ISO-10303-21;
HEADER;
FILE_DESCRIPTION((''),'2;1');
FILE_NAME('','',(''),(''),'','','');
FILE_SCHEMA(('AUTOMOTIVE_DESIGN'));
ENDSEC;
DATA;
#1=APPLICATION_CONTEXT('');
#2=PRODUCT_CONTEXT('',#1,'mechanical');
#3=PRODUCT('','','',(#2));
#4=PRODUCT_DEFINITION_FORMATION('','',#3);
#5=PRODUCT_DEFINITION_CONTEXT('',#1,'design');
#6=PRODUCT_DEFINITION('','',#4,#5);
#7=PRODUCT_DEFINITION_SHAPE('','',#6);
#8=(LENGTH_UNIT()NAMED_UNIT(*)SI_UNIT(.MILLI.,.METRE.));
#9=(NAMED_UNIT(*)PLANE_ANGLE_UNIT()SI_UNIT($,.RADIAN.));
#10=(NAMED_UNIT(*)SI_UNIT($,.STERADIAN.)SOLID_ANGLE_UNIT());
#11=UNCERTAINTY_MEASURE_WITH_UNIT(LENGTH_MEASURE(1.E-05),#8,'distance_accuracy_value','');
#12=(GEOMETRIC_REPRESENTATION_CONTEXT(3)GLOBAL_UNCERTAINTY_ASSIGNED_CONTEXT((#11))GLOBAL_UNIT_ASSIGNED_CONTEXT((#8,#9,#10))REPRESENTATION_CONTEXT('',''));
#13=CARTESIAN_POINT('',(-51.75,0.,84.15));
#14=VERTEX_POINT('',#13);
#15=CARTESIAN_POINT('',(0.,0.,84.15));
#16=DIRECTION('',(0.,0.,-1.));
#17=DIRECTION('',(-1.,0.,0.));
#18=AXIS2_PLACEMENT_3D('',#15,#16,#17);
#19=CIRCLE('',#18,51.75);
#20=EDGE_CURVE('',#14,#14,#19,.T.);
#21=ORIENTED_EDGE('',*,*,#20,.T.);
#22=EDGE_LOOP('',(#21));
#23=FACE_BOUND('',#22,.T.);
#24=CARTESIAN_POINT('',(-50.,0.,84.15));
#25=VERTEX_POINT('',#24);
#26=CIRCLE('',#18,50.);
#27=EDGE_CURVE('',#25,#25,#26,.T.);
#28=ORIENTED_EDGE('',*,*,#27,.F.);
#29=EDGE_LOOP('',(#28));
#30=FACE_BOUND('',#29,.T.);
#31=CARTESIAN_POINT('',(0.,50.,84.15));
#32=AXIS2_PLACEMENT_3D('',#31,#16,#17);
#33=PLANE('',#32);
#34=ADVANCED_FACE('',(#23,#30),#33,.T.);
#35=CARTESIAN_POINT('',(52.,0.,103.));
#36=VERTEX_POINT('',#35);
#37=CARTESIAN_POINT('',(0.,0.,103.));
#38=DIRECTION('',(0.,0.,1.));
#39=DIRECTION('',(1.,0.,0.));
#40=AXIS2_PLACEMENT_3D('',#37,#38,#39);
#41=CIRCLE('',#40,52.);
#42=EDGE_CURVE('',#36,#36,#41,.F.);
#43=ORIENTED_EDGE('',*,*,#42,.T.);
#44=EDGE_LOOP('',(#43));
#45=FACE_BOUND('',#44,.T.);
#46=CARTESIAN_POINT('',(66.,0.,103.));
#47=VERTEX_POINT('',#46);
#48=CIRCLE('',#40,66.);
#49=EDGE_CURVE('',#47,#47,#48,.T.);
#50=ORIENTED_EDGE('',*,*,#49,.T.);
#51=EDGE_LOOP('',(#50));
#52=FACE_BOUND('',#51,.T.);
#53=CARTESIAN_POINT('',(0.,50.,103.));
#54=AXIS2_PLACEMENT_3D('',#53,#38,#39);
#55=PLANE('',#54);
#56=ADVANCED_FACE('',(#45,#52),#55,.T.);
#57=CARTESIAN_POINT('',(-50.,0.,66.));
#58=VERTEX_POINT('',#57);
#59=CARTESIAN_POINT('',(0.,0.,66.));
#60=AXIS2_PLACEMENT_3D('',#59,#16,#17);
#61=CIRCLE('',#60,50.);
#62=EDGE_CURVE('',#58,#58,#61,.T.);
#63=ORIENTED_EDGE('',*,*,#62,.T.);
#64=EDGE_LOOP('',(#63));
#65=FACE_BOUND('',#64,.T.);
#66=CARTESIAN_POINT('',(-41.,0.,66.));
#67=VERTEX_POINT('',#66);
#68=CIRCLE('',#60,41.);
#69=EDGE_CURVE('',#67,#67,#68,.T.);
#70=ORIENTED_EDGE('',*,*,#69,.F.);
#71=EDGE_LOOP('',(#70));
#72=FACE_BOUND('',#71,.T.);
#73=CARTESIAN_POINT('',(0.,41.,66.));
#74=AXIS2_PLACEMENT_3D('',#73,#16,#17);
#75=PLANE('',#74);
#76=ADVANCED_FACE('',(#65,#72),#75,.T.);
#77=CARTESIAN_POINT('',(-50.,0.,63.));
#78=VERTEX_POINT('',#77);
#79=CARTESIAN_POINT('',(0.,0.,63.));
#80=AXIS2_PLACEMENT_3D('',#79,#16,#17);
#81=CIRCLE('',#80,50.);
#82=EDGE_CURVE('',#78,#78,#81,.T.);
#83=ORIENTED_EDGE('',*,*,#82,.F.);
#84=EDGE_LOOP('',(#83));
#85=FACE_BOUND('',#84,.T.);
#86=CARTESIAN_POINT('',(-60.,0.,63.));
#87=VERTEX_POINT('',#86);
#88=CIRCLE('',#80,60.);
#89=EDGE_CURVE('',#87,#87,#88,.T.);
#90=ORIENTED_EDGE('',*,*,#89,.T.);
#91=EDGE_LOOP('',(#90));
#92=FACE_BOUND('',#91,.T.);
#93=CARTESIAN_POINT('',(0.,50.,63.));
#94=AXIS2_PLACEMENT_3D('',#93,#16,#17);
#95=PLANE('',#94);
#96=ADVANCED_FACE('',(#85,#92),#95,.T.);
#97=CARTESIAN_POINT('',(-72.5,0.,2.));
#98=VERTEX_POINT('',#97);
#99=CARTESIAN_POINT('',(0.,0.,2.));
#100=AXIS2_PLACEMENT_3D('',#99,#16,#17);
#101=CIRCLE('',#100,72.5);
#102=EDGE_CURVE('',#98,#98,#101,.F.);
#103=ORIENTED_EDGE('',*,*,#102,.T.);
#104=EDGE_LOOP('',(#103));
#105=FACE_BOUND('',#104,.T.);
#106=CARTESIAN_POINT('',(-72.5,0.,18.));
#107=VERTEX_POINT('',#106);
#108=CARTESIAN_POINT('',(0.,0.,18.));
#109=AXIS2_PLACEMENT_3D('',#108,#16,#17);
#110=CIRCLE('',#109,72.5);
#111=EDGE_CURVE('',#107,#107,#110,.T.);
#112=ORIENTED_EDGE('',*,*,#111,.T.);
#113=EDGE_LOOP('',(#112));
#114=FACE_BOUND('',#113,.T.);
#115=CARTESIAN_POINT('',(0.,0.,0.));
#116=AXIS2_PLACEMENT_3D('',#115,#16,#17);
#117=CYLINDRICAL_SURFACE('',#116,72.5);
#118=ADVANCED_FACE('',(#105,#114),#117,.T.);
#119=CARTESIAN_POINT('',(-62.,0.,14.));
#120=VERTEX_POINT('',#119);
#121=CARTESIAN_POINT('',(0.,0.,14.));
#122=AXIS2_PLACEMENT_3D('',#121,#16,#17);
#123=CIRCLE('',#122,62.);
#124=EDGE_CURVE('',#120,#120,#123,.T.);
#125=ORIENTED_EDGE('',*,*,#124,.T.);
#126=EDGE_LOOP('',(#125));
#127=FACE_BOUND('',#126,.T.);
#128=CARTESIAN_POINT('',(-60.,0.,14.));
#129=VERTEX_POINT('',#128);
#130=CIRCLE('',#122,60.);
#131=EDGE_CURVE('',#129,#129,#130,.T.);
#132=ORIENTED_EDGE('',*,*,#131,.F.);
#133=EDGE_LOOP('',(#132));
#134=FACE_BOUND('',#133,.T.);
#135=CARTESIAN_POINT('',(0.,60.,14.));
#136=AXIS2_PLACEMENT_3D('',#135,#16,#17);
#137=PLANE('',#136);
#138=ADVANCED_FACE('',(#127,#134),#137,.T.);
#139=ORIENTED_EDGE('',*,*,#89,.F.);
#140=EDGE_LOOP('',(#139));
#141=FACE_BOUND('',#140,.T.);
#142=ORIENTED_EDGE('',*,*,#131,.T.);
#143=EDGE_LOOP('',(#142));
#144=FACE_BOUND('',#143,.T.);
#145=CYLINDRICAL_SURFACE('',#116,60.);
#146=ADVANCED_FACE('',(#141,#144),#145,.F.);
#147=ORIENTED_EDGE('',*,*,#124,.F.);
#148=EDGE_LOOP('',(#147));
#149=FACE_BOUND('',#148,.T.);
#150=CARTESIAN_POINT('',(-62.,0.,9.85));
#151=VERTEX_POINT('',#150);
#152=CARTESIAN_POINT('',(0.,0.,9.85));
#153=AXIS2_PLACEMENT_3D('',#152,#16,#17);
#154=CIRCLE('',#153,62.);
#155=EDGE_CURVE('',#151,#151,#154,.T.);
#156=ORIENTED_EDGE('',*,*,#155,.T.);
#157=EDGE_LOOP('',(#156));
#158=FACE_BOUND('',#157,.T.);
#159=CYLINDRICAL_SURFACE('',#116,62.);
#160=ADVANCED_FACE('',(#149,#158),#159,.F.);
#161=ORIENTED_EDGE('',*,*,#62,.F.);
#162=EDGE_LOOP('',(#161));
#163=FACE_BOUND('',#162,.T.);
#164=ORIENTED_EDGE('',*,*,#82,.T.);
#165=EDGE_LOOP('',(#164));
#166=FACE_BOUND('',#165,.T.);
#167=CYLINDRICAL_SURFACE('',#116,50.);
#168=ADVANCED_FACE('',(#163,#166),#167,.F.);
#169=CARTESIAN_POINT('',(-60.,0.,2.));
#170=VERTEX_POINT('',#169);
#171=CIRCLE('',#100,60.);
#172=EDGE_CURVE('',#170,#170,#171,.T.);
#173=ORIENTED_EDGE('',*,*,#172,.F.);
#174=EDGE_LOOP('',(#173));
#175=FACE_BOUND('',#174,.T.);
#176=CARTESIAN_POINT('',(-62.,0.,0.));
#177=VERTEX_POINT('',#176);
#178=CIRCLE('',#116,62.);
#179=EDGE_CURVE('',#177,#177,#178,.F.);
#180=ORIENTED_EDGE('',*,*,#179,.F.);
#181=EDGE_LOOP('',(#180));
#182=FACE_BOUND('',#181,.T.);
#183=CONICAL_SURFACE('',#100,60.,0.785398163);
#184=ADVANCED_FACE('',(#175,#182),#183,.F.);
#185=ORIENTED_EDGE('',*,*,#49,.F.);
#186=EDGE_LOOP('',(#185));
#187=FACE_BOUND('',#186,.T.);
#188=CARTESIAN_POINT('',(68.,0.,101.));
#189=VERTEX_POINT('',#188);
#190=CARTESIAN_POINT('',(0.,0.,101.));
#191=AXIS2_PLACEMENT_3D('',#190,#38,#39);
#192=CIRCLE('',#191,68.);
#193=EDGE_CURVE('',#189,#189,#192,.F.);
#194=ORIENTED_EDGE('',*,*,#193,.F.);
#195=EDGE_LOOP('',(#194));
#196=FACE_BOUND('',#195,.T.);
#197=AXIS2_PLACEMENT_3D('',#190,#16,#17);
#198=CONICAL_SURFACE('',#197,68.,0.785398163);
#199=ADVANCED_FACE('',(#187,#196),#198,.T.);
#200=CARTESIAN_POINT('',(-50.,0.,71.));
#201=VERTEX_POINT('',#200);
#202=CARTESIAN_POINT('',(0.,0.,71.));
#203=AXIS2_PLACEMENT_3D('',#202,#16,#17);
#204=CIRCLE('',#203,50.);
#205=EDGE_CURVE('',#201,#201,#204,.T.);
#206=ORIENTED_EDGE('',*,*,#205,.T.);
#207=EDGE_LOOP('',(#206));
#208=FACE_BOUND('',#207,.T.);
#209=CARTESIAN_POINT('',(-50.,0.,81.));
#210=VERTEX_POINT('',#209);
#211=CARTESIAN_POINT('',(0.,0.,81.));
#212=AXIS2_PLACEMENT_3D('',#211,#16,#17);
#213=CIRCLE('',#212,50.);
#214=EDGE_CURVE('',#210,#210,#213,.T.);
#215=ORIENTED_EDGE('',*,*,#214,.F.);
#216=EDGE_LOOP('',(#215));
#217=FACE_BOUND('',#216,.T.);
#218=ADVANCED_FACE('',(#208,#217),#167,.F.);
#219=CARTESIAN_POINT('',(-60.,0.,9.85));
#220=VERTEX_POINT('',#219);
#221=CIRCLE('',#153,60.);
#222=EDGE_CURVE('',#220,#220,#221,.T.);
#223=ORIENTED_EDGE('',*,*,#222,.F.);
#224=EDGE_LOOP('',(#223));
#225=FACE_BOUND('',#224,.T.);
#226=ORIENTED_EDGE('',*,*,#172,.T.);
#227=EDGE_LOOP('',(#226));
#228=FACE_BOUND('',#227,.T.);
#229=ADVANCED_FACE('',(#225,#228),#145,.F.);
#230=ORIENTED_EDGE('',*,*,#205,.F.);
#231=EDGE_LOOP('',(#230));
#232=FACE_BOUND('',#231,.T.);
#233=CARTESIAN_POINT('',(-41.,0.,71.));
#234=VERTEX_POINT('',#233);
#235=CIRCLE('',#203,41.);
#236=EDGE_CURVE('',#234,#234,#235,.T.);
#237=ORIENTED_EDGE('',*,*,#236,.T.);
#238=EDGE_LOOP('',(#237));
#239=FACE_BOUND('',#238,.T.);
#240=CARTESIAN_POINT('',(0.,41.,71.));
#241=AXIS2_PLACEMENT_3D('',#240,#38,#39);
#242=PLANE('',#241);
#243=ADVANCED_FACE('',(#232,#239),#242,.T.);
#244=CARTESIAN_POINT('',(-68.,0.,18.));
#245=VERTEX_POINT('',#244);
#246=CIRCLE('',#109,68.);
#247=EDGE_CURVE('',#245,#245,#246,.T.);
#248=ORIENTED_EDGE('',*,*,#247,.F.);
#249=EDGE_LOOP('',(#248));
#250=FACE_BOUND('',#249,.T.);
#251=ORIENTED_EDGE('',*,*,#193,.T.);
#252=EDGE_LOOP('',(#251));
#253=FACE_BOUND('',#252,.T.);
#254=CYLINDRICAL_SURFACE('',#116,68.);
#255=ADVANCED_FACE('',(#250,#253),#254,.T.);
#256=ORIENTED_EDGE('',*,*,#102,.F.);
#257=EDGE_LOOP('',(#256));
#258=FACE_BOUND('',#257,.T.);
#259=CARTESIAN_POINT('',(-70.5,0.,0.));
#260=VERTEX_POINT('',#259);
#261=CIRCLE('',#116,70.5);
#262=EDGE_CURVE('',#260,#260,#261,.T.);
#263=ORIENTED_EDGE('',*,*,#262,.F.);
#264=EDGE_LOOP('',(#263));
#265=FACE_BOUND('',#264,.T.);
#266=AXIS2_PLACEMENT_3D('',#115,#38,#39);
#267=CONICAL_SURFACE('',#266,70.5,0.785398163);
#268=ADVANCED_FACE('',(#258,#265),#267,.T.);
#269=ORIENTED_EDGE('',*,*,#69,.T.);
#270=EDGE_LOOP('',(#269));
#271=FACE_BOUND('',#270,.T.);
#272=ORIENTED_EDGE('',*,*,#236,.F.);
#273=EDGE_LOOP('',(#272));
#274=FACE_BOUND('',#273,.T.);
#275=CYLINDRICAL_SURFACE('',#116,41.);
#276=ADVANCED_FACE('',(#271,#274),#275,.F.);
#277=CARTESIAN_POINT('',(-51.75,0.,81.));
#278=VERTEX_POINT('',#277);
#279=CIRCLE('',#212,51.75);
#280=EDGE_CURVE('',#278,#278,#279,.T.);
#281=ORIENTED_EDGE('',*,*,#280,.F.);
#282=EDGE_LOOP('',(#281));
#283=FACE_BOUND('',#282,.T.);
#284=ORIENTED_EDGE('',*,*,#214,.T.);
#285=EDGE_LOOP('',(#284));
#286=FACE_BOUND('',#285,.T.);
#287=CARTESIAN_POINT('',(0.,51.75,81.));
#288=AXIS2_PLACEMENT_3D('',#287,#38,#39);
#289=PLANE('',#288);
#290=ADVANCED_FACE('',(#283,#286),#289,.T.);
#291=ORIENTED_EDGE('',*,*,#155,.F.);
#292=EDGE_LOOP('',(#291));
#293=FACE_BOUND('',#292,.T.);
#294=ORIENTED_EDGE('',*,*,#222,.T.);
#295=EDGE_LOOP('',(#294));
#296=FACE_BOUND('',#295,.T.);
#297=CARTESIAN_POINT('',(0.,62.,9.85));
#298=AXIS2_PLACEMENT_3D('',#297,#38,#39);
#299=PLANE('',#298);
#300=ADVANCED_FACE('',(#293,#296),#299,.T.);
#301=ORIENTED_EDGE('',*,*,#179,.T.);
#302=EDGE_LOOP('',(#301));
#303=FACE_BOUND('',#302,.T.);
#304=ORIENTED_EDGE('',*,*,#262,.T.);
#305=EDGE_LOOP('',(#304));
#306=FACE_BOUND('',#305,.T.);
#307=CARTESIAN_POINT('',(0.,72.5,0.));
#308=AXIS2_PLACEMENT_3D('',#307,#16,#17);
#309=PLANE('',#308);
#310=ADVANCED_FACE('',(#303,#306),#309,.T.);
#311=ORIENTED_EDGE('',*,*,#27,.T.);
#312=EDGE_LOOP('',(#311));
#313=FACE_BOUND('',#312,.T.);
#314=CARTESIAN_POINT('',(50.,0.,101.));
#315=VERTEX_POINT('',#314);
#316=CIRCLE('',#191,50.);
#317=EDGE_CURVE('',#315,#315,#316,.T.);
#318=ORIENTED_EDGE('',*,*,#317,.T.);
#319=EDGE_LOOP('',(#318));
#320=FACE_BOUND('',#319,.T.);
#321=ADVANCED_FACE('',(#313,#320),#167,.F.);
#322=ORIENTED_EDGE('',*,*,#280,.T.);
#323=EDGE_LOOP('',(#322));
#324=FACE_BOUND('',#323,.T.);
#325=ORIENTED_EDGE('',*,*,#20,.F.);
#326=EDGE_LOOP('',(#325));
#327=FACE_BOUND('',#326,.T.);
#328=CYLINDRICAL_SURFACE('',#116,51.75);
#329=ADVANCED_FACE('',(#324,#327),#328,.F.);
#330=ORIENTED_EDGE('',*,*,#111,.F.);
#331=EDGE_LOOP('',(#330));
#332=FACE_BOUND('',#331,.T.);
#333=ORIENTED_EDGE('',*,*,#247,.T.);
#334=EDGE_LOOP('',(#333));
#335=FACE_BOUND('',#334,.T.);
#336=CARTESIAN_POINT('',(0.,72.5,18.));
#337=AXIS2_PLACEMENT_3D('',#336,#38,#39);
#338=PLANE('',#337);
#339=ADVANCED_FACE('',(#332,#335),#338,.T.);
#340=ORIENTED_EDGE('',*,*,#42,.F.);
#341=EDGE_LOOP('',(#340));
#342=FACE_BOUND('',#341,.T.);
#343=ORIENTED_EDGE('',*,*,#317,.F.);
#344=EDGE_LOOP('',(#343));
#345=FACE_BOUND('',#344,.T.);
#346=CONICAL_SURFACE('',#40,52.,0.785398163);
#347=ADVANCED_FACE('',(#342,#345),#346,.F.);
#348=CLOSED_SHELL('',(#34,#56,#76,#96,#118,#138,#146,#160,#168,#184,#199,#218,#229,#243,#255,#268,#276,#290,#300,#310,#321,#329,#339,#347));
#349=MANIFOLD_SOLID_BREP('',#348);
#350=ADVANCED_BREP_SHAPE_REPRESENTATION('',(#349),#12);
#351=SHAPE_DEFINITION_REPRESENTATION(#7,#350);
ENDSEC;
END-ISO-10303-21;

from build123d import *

# Parameters (mm, degrees)
CHAMFER_2_SIZE = 2


with BuildPart() as part:
    # Эскиз1 → Повернуть1 (revolve)
    with BuildSketch(Plane(origin=(0, 0, 0), x_dir=(0, 0, -1), z_dir=(1, 0, 0)), mode=Mode.PRIVATE) as revolve_1_sk:
        Polygon((-84.15, 50), (-103, 50), (-103, 68), (-18, 68), (-18, 72.5), (0, 72.5), (0, 60), (-9.85, 60), (-9.85, 62), (-14, 62), (-14, 60), (-63, 60), (-63, 50), (-66, 50), (-66, 41), (-71, 41), (-71, 50), (-81, 50), (-81, 51.75), (-84.15, 51.75), align=None)
    revolve(revolve_1_sk.sketch.rotate(Axis((0, 0, 0), (0, 0, 1)), 90), axis=Axis((0, 0, 0), (0, 0, 1)))

    # Фаска2
    chamfer_2_edges = [part.edges().sort_by_distance(p)[0] for p in [
        (50, 0, 103),
        (60, 0, 0),
        (72.5, 0, 0),
        (68, 0, 103),
    ]]
    chamfer(chamfer_2_edges, length=CHAMFER_2_SIZE)


solid = part.part
